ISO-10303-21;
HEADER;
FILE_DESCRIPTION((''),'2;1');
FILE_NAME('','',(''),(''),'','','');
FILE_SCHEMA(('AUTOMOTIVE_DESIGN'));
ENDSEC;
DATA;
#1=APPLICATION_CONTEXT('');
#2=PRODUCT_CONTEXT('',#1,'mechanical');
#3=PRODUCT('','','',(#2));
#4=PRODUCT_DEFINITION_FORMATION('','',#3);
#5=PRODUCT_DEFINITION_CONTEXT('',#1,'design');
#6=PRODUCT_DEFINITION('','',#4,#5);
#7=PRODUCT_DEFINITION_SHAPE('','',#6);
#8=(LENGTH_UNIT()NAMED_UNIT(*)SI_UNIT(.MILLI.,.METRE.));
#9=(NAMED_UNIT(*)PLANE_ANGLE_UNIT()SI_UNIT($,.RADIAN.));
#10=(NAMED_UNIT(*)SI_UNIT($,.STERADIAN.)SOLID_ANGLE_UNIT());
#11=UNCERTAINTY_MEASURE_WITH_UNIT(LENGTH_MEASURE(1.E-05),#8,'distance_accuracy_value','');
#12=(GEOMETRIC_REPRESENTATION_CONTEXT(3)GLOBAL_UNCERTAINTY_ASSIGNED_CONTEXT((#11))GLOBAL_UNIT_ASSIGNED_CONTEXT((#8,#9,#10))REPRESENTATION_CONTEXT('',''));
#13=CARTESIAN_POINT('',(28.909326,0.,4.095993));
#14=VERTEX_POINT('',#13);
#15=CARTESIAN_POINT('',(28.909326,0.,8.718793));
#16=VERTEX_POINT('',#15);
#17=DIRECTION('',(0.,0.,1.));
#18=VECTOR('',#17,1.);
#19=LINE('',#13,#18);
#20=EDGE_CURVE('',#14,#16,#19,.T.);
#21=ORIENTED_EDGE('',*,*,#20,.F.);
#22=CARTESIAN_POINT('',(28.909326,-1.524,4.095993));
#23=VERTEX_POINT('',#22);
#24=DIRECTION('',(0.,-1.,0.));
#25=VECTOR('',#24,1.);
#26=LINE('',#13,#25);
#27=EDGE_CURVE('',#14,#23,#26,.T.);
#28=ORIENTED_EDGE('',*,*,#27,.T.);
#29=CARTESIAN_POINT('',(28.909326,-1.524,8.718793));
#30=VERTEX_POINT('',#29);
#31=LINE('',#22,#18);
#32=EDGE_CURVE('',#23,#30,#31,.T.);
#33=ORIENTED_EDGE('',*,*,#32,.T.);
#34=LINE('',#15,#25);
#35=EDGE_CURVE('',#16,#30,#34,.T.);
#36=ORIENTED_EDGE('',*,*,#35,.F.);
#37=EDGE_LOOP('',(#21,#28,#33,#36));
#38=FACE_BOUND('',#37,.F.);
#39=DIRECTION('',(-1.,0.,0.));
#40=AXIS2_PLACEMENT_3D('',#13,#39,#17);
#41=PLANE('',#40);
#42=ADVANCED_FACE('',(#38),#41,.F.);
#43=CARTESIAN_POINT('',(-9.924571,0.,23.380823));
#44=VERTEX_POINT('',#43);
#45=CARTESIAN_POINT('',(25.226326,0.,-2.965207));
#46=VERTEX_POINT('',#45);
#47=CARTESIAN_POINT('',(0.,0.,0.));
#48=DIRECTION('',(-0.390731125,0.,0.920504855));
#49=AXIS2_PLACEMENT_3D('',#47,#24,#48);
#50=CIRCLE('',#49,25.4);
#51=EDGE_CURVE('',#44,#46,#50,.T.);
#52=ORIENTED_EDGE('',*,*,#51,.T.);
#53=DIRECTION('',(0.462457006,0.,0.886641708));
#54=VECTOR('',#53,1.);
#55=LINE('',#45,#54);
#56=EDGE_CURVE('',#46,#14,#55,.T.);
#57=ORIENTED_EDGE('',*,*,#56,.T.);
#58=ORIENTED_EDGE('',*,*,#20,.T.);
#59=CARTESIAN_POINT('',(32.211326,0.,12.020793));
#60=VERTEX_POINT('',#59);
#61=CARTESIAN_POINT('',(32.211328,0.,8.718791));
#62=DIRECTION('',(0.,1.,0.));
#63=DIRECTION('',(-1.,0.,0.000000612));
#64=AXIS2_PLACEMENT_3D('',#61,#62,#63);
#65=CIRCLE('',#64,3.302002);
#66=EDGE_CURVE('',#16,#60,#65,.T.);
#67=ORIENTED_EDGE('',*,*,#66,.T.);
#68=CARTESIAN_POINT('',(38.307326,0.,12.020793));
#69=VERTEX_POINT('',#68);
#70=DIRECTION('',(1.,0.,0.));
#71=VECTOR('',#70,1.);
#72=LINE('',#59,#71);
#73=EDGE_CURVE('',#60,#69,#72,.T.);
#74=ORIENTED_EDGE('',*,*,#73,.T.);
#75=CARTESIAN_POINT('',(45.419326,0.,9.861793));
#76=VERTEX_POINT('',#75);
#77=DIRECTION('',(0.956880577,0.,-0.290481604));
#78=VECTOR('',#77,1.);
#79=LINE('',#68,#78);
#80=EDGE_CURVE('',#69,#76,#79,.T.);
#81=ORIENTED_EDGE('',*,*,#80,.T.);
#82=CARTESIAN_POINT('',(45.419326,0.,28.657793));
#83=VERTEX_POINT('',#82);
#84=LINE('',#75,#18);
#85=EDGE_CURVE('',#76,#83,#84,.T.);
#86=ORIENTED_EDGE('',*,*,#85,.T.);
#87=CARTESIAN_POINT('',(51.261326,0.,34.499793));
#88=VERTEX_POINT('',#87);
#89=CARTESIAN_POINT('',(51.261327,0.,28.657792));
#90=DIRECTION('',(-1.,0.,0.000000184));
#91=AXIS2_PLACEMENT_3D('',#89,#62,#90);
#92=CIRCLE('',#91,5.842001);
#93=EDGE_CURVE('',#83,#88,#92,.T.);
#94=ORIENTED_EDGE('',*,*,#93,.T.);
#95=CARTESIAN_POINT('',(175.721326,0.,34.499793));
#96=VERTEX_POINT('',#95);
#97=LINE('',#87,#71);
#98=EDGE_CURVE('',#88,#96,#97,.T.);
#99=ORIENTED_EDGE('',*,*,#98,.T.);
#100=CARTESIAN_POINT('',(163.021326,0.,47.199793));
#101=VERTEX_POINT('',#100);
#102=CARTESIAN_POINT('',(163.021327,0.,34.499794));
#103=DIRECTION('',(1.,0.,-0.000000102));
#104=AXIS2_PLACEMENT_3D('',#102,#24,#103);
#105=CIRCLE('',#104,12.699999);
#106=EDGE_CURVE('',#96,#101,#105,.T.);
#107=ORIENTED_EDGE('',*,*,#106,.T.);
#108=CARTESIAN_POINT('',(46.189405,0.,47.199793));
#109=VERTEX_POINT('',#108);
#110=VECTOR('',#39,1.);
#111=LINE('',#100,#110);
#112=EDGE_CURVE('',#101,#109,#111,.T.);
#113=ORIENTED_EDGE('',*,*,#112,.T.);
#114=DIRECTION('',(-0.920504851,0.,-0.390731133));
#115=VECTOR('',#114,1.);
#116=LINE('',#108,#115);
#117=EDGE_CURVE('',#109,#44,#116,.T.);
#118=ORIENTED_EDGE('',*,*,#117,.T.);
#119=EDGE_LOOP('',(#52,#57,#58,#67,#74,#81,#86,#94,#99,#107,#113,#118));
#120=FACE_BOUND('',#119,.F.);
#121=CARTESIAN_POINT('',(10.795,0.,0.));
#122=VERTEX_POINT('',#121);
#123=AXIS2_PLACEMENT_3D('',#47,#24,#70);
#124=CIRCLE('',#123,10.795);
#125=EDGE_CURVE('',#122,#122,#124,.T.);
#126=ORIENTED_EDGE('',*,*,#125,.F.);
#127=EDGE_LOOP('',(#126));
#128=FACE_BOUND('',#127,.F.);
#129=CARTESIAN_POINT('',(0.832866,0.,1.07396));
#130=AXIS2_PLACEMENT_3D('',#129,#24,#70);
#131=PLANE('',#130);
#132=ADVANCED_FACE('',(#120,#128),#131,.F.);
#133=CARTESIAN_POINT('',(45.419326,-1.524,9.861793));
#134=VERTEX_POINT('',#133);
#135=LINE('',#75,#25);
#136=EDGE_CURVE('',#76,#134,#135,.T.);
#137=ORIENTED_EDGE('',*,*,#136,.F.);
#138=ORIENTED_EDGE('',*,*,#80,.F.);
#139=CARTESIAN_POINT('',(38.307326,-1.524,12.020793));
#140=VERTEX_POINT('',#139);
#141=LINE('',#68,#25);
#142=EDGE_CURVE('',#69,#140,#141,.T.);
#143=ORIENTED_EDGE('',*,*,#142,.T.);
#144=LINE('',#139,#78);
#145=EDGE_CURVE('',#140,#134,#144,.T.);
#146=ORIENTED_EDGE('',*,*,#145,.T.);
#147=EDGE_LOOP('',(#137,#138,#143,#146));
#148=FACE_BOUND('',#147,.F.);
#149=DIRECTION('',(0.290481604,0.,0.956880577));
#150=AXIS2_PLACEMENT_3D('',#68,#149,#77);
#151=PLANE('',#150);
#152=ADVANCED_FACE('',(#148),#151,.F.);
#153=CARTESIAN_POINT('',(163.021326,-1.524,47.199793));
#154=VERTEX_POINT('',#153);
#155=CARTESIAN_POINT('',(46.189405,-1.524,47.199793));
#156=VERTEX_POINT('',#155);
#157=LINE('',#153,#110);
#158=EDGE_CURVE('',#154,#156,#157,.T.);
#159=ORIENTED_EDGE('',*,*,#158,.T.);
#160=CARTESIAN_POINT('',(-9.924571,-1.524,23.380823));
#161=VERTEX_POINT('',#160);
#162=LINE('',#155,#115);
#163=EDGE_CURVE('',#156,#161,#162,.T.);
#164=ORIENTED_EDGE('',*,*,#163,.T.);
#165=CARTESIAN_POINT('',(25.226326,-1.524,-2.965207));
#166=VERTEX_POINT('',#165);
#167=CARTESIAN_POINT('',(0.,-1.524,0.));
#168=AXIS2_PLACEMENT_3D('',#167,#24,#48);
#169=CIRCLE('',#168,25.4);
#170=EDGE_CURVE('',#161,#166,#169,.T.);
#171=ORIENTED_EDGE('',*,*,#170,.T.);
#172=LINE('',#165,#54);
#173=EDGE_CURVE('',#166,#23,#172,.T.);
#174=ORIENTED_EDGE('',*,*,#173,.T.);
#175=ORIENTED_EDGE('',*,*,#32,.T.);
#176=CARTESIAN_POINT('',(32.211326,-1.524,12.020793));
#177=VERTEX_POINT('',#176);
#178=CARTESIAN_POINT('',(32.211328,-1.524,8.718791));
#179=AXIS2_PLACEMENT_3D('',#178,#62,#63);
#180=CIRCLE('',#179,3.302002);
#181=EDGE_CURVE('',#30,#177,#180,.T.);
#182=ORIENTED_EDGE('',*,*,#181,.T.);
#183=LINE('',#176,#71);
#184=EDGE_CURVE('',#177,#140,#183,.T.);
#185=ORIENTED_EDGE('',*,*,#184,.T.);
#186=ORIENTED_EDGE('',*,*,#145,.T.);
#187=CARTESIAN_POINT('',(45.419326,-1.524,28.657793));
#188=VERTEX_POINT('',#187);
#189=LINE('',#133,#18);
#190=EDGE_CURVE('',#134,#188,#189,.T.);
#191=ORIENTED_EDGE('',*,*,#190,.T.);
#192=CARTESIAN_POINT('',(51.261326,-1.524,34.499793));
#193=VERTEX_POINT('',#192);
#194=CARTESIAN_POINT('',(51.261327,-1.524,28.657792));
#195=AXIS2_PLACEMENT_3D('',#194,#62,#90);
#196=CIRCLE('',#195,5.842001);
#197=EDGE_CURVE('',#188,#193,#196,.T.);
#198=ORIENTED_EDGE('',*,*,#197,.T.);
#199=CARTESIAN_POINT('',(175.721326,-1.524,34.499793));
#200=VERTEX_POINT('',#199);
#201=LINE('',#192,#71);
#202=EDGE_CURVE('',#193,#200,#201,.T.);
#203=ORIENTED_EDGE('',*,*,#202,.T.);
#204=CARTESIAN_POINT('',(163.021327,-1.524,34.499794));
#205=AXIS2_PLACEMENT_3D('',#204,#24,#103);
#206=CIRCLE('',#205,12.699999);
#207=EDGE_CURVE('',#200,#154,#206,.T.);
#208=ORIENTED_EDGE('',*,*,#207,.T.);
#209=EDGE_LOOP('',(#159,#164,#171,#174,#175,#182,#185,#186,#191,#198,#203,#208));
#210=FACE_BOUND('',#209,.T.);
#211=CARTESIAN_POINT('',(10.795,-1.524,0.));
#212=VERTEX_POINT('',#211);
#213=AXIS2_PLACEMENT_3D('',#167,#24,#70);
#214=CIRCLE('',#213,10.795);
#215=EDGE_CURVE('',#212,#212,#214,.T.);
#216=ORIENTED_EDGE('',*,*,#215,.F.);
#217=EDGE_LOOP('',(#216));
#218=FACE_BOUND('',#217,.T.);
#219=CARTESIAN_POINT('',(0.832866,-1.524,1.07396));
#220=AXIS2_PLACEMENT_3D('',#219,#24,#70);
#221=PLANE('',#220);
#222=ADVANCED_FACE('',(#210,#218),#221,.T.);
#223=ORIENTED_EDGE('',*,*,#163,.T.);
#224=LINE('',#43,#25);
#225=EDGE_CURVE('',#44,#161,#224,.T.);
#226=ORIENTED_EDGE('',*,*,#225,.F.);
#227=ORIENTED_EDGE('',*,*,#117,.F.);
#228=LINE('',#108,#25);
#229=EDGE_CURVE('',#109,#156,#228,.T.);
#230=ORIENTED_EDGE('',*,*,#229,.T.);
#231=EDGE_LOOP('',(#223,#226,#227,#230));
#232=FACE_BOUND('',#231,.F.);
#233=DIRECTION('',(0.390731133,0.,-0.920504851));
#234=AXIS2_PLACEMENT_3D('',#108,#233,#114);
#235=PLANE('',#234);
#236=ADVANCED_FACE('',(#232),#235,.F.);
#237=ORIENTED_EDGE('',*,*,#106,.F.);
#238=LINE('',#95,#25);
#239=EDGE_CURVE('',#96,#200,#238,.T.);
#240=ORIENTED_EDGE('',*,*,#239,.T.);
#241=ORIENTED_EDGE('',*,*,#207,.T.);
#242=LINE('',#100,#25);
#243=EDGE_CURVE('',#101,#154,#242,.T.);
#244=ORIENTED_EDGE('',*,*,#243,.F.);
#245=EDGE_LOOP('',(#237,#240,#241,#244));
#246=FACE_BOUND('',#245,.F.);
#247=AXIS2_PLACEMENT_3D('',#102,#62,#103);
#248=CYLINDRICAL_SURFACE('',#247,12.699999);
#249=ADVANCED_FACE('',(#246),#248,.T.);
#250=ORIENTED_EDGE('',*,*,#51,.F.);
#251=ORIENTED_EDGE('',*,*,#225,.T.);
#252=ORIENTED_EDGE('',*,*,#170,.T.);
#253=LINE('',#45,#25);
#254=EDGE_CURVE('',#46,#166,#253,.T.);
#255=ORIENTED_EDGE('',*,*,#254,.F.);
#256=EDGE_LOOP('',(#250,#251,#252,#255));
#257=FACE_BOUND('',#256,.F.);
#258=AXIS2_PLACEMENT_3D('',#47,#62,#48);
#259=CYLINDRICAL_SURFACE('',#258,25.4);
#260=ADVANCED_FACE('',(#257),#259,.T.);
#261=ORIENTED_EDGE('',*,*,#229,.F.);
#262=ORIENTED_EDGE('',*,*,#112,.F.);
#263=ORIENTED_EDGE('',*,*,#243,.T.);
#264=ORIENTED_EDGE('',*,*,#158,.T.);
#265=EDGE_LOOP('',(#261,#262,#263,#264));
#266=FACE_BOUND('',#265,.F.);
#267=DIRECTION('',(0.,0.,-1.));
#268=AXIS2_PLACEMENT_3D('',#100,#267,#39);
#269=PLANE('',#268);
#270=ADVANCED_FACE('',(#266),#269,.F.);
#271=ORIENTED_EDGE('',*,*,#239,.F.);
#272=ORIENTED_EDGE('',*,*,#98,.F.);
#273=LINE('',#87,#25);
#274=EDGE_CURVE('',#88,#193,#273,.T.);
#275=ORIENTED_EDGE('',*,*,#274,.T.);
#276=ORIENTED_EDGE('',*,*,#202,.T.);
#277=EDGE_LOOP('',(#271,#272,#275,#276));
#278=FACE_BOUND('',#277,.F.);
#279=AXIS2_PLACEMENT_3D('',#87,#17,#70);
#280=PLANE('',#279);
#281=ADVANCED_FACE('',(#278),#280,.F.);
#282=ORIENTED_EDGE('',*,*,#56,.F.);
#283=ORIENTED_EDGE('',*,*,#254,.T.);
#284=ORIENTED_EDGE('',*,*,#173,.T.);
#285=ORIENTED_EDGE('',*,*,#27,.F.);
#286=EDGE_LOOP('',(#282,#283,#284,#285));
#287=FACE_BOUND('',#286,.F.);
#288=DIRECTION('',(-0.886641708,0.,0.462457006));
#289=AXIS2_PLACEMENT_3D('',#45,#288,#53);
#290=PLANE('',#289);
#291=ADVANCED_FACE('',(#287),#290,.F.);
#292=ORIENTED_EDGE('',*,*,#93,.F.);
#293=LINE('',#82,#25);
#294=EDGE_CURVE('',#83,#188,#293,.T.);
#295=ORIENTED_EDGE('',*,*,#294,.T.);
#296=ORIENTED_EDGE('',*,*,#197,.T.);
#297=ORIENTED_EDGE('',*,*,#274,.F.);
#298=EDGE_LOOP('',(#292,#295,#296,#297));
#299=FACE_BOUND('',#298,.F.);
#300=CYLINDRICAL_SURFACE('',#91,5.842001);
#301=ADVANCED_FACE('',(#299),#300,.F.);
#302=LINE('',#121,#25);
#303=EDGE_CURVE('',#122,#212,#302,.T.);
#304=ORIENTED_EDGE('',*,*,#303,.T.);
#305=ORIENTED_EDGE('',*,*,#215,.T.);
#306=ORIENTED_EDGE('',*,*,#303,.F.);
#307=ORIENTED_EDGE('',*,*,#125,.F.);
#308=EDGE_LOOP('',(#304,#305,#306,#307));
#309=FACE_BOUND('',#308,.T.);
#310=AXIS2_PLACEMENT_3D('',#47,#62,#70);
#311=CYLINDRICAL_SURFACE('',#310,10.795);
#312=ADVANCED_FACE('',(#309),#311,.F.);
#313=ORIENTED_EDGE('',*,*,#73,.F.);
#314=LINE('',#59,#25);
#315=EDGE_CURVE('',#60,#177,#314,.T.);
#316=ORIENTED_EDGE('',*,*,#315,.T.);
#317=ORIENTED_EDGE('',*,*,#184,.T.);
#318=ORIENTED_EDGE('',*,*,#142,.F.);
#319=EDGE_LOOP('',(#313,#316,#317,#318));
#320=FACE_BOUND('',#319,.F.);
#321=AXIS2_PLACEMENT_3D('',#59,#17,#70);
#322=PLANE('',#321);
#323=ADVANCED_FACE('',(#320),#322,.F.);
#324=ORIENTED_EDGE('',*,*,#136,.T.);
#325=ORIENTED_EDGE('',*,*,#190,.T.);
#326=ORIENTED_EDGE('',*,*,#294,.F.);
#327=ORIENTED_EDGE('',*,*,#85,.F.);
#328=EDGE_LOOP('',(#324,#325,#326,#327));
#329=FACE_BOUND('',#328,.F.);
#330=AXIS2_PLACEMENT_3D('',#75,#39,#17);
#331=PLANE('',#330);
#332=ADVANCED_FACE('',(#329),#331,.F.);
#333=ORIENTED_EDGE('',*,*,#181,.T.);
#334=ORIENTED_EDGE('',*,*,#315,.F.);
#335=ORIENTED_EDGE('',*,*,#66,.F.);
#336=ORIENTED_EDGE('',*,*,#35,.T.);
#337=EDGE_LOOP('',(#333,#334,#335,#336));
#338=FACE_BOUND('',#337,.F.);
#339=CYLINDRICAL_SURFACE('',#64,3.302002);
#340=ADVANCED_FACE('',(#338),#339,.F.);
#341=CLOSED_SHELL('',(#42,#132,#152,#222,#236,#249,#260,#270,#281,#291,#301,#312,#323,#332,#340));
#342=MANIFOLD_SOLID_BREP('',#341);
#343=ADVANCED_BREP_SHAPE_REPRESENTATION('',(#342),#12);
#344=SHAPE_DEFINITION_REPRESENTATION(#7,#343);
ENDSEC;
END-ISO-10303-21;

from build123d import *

# Parameters (mm, degrees)
F0_R     = 10.795
F1_DEPTH = 1.524


with BuildPart() as f1:
    # F0 (on Front) → F1 (new body)
    with BuildSketch(Plane.XZ):
        with BuildLine():
            ThreePointArc((25.226326, -2.965207), (25.356544, -1.485144), (25.4, 0))
            ThreePointArc((25.4, 0), (14.019199, 21.1807), (-9.924571, 23.380823))
            ThreePointArc((-9.924571, 23.380823), (-15.233656, -20.324757), (25.226326, -2.965207))
        make_face()
        Circle(F0_R, mode=Mode.SUBTRACT)
        with BuildLine():
            ThreePointArc((-9.924571, 23.380823), (14.019199, 21.1807), (25.4, 0))
            ThreePointArc((25.4, 0), (25.356544, -1.485144), (25.226326, -2.965207))
            Line((25.226326, -2.965207), (28.909326, 4.095993))
            Line((28.909326, 4.095993), (28.909326, 8.718793))
            ThreePointArc((28.909326, 8.718793), (29.87646, 11.053659), (32.211326, 12.020793))
            Line((32.211326, 12.020793), (38.307326, 12.020793))
            Line((38.307326, 12.020793), (45.419326, 9.861793))
            Line((45.419326, 9.861793), (45.419326, 28.657793))
            ThreePointArc((45.419326, 28.657793), (47.130409, 32.788711), (51.261326, 34.499793))
            Line((51.261326, 34.499793), (175.721326, 34.499793))
            ThreePointArc((175.721326, 34.499793), (172.001583, 43.480049), (163.021326, 47.199793))
            Line((163.021326, 47.199793), (46.189405, 47.199793))
            Line((46.189405, 47.199793), (-9.924571, 23.380823))
        make_face()
    extrude(amount=F1_DEPTH)


solid = f1.part
